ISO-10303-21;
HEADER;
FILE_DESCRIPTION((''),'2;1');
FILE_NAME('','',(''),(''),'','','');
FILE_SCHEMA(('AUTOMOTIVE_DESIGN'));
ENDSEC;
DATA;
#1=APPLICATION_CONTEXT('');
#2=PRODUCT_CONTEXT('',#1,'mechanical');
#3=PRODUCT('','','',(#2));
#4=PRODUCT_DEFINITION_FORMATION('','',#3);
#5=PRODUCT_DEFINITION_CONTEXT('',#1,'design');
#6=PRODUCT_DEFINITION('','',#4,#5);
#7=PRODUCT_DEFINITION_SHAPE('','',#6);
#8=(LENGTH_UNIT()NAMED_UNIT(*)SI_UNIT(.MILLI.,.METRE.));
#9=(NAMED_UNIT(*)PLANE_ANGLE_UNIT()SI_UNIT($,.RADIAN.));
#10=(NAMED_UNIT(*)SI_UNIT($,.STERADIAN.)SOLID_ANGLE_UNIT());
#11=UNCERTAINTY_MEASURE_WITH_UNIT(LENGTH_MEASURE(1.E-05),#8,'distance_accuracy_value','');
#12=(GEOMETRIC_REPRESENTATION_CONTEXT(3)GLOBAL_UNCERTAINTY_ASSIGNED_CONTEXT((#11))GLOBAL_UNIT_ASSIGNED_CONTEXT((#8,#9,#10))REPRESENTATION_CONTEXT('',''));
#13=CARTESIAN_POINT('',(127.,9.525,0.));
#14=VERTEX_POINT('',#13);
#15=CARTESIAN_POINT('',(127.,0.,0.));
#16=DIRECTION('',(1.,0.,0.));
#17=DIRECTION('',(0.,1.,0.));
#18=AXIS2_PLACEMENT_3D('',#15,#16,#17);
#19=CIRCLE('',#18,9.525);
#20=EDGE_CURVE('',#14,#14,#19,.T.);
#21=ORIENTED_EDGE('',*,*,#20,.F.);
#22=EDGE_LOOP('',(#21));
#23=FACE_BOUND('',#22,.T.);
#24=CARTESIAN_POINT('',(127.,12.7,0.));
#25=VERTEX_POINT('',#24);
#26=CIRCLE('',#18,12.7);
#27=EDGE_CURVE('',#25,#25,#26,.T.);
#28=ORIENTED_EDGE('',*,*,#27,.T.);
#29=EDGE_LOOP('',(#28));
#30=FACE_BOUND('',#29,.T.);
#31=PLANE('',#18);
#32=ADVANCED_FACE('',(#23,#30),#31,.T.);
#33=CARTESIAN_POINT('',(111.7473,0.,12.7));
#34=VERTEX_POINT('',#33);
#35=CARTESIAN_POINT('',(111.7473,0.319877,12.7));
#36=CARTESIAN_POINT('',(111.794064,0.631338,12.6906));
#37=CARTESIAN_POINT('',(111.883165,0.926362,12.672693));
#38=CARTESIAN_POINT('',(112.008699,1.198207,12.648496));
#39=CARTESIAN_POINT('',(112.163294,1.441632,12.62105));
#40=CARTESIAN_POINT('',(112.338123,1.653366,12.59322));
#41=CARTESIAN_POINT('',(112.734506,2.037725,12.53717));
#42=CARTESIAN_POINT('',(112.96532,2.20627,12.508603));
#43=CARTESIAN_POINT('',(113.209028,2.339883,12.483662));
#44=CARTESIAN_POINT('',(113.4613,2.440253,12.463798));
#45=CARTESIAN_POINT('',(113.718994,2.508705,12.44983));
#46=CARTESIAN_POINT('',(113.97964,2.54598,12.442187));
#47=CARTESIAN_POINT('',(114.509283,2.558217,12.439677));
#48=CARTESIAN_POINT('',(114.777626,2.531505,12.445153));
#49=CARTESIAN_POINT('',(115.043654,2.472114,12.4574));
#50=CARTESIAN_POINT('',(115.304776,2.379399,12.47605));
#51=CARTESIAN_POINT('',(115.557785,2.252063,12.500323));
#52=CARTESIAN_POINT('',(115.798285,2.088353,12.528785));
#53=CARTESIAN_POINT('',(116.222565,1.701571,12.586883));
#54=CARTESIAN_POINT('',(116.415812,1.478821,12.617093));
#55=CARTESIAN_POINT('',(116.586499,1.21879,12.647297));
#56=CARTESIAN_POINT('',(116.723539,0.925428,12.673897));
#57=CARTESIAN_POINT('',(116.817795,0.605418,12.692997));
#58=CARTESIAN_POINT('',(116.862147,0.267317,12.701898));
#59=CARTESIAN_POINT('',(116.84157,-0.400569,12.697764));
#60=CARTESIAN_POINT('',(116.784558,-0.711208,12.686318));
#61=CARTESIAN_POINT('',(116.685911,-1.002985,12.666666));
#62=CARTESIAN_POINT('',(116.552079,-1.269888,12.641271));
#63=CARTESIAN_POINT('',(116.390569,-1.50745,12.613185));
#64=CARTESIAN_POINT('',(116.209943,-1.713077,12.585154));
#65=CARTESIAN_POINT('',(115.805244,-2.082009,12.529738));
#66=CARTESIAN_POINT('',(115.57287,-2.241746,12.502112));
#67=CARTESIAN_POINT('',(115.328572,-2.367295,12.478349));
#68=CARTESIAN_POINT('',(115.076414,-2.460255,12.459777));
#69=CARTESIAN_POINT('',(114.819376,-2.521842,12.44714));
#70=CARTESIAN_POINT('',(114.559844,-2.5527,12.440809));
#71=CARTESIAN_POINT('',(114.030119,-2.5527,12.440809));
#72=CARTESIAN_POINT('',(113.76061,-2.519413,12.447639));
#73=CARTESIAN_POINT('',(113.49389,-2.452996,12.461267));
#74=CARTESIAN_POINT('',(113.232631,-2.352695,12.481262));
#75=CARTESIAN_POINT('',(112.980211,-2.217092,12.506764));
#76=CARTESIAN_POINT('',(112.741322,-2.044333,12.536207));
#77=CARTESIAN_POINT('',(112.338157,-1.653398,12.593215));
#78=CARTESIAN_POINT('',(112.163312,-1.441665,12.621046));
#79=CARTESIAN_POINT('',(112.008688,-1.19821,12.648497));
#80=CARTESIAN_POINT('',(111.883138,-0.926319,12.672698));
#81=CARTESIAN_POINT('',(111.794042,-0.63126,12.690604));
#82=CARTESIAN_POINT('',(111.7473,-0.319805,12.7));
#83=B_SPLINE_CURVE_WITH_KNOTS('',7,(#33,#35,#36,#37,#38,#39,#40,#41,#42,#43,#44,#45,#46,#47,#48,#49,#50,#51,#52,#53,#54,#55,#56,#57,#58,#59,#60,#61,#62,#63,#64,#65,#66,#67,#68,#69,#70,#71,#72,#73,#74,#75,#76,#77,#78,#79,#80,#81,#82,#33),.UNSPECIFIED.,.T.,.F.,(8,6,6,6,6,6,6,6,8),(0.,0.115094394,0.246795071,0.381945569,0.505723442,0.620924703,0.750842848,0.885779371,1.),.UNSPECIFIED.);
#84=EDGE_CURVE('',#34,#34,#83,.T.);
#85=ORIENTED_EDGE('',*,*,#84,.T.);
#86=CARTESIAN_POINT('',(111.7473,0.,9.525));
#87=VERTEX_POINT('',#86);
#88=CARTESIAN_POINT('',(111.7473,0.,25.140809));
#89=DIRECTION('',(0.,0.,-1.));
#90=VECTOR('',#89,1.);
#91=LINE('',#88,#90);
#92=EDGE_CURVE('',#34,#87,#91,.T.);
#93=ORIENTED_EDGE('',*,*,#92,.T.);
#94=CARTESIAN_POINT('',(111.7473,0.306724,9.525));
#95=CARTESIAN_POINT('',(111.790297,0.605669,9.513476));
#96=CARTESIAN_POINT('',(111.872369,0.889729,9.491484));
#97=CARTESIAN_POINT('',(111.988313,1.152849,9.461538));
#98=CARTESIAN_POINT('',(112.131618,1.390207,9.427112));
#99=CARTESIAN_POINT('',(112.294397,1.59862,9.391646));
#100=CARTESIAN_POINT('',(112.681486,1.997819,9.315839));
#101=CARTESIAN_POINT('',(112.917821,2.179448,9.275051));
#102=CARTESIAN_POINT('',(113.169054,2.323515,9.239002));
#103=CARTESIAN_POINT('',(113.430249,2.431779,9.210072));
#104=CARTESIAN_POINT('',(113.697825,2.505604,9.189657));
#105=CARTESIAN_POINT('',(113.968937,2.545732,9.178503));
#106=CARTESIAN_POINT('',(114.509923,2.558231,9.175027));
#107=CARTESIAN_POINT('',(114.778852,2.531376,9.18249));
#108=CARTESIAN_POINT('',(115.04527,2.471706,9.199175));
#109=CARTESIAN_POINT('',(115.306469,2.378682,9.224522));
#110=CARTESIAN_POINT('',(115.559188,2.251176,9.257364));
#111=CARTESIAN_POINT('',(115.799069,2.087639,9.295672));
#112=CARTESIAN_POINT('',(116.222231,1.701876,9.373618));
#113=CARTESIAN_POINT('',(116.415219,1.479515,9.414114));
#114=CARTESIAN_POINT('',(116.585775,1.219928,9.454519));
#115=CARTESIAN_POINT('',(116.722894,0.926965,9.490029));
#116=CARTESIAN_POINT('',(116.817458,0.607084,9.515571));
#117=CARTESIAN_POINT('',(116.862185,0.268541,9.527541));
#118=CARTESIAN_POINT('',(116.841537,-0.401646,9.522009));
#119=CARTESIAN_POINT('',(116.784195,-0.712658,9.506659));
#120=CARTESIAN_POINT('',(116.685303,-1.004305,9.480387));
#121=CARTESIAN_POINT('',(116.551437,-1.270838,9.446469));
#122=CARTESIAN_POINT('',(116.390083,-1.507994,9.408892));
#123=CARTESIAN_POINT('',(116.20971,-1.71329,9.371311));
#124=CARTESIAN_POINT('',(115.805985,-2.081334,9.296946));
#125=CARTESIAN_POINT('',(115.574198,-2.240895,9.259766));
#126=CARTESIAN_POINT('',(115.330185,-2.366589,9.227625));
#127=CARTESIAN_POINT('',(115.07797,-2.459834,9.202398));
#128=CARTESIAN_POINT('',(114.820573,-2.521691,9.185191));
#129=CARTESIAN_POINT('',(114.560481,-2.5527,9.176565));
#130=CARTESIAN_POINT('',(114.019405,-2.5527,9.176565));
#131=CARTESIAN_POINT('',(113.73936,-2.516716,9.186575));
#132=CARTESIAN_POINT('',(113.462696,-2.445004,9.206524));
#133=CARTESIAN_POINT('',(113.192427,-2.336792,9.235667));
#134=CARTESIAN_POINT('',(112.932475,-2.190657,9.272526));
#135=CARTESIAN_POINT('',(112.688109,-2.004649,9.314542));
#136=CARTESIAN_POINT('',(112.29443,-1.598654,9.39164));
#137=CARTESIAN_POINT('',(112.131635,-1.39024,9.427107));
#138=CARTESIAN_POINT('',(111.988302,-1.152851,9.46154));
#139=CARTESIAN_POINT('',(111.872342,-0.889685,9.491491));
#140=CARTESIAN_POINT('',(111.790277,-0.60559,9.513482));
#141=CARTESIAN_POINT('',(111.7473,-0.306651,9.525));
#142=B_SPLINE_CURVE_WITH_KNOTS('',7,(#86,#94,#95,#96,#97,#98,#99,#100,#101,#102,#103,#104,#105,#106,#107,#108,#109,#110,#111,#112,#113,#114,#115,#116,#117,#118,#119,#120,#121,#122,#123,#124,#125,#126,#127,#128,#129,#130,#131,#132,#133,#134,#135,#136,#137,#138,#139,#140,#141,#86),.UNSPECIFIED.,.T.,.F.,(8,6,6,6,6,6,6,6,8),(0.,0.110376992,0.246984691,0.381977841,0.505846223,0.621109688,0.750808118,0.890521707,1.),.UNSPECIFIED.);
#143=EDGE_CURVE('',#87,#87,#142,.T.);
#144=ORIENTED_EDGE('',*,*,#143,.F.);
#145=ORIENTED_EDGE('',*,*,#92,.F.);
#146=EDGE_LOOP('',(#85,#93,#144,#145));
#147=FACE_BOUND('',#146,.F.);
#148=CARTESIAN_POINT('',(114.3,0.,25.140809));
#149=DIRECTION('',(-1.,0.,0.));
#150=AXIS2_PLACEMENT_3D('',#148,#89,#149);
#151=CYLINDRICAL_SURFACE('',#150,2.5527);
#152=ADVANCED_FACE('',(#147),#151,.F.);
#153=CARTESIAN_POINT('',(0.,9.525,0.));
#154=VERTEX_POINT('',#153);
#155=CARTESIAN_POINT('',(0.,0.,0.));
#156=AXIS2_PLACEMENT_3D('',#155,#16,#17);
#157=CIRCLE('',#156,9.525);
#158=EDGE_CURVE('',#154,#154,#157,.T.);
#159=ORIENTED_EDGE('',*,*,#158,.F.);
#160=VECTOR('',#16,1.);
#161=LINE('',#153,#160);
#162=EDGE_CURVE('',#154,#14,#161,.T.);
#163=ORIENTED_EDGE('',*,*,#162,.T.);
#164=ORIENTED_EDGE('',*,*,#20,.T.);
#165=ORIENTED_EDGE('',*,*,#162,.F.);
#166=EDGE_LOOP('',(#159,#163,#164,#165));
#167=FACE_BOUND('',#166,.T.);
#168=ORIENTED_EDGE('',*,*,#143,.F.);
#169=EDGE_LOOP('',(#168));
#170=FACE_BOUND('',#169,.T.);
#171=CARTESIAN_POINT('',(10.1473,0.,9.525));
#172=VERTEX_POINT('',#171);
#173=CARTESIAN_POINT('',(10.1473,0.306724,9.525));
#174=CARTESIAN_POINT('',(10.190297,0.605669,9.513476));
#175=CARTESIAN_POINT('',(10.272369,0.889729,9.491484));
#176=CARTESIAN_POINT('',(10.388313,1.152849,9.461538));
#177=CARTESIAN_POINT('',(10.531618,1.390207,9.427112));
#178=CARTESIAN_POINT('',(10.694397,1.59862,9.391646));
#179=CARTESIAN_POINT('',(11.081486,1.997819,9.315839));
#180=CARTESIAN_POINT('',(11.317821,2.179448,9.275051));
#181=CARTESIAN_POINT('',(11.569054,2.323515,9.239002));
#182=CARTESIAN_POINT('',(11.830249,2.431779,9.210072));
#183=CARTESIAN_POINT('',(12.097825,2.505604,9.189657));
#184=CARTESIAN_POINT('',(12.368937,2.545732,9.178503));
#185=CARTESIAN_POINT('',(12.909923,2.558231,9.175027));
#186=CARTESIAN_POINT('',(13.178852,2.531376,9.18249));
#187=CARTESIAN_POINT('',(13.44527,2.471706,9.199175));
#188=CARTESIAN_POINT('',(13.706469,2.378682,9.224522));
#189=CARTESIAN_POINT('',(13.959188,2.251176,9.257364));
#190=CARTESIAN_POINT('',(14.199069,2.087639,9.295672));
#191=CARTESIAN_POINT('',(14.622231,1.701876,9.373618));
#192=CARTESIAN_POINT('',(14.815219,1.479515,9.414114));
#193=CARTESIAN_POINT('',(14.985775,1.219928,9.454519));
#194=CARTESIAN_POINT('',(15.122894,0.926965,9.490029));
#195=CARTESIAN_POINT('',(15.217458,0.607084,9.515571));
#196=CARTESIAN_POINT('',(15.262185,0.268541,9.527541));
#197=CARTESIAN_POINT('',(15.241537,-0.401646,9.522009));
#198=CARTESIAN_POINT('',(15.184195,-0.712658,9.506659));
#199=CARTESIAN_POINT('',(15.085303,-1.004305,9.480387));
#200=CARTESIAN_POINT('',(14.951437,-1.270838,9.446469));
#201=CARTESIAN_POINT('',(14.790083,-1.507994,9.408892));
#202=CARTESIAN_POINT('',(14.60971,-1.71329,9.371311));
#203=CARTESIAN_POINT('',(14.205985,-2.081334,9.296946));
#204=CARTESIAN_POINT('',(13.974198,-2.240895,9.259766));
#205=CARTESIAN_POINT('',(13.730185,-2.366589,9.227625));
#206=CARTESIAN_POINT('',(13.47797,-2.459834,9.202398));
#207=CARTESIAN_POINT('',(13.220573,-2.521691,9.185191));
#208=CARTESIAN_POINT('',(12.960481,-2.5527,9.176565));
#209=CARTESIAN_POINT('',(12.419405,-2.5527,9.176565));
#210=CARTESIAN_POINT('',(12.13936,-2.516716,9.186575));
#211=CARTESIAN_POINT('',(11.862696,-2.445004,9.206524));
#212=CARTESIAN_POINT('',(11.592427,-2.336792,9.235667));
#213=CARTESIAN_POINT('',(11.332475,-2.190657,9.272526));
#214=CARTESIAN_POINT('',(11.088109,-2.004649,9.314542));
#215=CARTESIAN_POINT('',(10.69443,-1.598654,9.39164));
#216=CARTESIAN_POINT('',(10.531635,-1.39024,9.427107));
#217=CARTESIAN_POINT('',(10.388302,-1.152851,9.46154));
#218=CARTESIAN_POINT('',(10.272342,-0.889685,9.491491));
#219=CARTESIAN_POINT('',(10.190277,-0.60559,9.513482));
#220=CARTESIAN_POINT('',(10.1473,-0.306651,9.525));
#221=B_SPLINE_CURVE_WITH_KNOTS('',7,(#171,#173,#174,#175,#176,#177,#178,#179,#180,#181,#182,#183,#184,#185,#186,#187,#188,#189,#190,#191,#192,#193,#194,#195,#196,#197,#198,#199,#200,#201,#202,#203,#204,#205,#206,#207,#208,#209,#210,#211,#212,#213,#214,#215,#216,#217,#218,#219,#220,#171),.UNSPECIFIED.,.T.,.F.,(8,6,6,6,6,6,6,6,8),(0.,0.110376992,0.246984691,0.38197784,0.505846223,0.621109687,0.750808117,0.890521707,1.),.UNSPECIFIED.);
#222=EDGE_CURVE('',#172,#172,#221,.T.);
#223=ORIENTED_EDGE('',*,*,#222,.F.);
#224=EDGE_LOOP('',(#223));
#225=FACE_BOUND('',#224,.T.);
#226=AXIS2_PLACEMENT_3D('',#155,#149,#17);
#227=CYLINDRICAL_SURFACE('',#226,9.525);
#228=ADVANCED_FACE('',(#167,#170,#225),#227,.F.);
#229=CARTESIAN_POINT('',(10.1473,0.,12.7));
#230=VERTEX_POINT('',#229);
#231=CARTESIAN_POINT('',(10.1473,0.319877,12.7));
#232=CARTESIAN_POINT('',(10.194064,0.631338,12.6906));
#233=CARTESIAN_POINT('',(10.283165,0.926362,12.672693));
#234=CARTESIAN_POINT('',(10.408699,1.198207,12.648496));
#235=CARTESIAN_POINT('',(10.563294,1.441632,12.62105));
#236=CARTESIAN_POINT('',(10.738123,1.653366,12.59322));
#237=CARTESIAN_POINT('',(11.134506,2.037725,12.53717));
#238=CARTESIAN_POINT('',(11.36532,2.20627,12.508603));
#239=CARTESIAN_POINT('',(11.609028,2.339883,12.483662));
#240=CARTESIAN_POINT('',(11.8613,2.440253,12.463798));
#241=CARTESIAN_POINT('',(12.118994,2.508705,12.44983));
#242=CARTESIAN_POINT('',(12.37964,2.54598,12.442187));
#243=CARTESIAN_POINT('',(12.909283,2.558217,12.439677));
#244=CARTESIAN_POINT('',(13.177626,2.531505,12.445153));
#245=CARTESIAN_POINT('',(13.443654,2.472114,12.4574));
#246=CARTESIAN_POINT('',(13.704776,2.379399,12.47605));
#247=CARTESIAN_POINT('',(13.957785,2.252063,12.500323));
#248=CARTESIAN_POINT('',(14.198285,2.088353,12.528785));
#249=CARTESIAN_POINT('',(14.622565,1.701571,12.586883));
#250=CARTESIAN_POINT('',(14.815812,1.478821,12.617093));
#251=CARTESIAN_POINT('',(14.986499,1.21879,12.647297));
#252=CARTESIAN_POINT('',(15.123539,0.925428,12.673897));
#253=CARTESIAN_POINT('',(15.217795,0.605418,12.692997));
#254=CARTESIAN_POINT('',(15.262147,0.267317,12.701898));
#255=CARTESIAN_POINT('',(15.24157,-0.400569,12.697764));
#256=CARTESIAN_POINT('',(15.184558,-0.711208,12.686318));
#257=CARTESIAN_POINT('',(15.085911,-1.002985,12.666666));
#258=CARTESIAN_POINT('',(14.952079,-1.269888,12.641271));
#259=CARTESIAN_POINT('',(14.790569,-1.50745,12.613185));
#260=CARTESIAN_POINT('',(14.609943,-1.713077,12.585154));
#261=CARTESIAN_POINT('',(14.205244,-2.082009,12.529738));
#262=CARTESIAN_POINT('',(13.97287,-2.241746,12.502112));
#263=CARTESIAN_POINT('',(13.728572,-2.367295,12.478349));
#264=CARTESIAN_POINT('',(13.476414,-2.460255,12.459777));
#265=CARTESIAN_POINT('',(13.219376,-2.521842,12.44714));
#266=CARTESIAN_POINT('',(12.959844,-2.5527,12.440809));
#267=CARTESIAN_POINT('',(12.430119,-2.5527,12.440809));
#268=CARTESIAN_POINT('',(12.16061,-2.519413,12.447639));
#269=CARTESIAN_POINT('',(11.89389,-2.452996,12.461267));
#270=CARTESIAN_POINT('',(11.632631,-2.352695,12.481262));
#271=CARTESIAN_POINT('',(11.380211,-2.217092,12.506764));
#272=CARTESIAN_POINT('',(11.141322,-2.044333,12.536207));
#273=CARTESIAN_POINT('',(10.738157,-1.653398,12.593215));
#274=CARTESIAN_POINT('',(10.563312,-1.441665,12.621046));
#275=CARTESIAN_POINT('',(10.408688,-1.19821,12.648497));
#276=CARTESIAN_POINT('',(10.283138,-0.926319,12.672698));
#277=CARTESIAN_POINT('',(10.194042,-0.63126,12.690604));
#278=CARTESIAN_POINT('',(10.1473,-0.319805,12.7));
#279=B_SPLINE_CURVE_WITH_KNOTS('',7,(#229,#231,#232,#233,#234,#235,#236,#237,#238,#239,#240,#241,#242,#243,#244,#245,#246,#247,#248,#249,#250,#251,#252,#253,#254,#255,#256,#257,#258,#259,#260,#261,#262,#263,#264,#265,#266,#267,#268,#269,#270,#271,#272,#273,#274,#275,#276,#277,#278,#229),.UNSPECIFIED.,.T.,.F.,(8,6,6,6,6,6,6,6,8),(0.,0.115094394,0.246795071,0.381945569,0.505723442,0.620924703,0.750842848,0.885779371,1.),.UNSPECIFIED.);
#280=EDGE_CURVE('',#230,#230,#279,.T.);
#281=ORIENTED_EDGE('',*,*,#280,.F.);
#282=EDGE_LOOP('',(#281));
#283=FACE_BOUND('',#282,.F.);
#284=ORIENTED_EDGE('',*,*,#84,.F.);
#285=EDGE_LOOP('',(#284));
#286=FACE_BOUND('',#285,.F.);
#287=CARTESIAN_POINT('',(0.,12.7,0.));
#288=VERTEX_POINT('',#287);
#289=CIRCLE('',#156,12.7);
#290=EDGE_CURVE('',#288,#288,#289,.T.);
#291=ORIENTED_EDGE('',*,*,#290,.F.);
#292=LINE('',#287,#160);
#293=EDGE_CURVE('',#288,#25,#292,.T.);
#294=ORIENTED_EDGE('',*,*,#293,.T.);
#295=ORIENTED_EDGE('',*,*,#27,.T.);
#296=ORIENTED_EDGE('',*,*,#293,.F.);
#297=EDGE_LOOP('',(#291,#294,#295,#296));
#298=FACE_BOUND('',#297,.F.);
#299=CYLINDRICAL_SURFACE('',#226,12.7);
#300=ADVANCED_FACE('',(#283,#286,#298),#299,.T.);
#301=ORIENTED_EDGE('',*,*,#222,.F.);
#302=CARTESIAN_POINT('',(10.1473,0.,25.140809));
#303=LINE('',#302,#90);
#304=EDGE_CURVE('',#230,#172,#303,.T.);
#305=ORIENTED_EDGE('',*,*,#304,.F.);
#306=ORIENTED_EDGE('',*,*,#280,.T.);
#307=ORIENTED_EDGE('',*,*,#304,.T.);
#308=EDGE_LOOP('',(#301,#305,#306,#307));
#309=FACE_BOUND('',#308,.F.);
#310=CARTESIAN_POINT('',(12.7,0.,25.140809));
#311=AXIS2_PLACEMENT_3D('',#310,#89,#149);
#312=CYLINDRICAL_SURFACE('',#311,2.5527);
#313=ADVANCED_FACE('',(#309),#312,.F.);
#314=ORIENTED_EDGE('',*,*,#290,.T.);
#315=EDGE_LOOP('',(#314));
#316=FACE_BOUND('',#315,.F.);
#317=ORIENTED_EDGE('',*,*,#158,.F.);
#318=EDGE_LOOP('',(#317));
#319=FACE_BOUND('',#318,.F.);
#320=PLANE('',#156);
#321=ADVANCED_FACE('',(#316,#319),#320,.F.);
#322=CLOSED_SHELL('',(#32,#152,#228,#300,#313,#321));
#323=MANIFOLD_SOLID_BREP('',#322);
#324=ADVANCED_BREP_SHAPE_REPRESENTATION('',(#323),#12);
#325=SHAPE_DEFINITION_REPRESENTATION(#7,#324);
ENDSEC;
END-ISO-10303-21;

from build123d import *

# Parameters (mm, degrees)
F0_R     = 12.7
F0_R_2   = 9.525
F1_DEPTH = 127
F4_D     = 5.1054
F4_DEPTH = 12.7
F4_START = 0.2591913
F4_TIP   = 1.5338169022


with BuildPart() as f1:
    # F0 (on Right) → F1 (new body)
    with BuildSketch(Plane.YZ):
        Circle(F0_R)
        Circle(F0_R_2, mode=Mode.SUBTRACT)
    extrude(amount=F1_DEPTH)

    # F4
    # its depths count from where the whole tool has entered the part; down to there all is cleared
    with Locations(Plane.XY.offset(12.7).offset(-F4_START)):
        with Locations((12.7, 0), (114.3, 0)):
            Hole(F4_D / 2, depth=F4_DEPTH)
            with Locations((0, 0, -(F4_DEPTH + F4_TIP / 2))):  # 118° drill point
                Cone(0, F4_D / 2, F4_TIP, mode=Mode.SUBTRACT)


solid = f1.part
